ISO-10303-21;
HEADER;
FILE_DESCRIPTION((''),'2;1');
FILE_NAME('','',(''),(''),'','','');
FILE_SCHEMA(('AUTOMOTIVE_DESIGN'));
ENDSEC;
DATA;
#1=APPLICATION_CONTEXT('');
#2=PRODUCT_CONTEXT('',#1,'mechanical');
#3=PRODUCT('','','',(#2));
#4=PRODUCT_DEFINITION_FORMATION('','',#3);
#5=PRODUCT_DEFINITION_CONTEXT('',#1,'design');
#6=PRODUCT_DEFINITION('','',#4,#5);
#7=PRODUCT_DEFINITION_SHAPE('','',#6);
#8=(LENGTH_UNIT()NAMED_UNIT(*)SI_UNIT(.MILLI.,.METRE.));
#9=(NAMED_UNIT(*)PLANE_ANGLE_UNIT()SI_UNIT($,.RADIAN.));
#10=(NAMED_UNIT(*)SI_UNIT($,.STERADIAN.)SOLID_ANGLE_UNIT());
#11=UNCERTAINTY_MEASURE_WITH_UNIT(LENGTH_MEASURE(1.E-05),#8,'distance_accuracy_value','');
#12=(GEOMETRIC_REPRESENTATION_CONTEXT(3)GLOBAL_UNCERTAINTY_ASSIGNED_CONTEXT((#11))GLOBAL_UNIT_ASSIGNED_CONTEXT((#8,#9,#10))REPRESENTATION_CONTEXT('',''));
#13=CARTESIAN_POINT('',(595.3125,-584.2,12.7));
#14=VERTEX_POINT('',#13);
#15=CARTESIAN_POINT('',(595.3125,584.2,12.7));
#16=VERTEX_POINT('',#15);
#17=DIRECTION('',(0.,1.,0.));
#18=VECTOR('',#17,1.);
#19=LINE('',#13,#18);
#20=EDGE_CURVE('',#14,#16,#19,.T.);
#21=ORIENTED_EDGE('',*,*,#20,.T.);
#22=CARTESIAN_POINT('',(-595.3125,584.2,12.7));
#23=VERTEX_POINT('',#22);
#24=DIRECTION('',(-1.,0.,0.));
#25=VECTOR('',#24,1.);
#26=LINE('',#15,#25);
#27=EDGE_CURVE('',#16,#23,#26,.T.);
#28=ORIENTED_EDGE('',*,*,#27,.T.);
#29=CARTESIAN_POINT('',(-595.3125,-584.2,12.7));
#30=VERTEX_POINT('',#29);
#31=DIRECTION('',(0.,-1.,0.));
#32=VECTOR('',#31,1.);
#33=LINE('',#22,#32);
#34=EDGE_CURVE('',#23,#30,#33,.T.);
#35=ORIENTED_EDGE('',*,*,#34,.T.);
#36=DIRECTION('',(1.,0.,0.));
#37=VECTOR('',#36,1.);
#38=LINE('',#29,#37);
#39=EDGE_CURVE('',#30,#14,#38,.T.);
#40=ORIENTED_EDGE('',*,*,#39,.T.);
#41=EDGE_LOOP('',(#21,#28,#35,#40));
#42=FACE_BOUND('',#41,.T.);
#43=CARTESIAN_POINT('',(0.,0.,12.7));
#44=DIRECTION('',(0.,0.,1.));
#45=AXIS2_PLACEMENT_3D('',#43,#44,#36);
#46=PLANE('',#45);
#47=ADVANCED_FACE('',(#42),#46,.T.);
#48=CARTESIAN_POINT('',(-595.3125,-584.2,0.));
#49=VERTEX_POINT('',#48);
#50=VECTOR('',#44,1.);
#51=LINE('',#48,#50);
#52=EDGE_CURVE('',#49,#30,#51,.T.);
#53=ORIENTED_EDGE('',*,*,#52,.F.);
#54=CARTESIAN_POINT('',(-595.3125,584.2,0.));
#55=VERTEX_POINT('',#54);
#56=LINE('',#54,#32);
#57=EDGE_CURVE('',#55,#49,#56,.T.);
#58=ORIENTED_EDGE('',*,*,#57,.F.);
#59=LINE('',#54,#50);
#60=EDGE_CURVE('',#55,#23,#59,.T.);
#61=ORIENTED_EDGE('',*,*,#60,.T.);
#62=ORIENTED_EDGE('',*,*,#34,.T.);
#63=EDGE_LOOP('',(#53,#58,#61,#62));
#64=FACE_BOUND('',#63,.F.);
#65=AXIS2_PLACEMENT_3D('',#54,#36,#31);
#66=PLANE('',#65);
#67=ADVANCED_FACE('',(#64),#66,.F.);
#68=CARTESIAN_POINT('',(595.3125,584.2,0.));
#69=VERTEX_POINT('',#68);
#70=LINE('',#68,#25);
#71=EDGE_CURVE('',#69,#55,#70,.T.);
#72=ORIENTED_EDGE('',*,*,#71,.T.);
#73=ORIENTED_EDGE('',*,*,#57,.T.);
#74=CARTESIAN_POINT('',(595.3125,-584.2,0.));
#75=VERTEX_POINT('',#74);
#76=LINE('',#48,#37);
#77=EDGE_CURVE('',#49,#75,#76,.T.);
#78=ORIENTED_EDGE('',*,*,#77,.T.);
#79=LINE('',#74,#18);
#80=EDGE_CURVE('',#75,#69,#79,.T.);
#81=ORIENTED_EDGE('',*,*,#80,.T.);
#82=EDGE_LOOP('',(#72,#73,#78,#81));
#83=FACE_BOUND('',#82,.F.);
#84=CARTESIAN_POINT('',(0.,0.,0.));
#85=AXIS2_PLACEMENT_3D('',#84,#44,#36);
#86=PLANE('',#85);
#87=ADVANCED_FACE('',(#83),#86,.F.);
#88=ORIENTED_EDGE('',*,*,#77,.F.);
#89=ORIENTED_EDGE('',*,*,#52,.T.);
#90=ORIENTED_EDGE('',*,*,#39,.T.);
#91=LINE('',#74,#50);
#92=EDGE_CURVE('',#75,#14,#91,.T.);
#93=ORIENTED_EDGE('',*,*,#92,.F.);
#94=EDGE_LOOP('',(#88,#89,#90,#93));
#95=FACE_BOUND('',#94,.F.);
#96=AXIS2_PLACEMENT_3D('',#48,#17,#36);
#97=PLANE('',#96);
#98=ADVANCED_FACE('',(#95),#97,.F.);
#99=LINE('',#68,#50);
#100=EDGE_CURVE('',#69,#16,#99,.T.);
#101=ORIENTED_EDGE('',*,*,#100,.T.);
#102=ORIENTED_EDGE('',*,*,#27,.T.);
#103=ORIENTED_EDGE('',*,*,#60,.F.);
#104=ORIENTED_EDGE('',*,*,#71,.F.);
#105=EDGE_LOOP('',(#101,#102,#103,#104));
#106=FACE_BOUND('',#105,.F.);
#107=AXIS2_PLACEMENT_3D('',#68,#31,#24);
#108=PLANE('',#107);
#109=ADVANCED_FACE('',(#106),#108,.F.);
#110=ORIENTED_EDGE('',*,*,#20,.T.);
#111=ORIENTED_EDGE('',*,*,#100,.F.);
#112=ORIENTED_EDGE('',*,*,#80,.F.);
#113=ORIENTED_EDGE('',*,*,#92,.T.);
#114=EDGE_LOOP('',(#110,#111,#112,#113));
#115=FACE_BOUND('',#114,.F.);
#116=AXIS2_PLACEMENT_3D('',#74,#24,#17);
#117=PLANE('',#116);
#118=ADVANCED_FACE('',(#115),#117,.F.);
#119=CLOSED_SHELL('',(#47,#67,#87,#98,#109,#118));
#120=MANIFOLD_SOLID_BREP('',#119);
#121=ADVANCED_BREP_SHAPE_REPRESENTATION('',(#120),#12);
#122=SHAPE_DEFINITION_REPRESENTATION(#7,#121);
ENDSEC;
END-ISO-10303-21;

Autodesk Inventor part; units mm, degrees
ref_plane "YZ Plane" through (0, 0, 0) normal (1, 0, 0) x (0, 1, 0)
ref_plane "XZ Plane" through (0, 0, 0) normal (0, 1, 0) x (-1, 0, 0)
ref_plane "XY Plane" through (0, 0, 0) normal (0, 0, 1) x (1, 0, 0)
sketch "Sketch1" plane through (0, 0, 0) normal (0, 0, 1) x (1, 0, 0)
  line L0 (-595.3125, -584.2) -> (595.3125, -584.2)
  line L1 (595.3125, -584.2) -> (595.3125, 584.2)
  line L2 (595.3125, 584.2) -> (-595.3125, 584.2)
  line L3 (-595.3125, 584.2) -> (-595.3125, -584.2)
  line L4 (-595.3125, -584.2) -> (595.3125, 584.2) construction
  line L5 (595.3125, -584.2) -> (-595.3125, 584.2) construction
  point P0 (0, 0)
  dimension "d0" = 1190.625
  dimension "d1" = 1168.4
extrude "Extrusion1" add sketch "Sketch1" along normal blind 12.7
properties part number "left_1_0"
